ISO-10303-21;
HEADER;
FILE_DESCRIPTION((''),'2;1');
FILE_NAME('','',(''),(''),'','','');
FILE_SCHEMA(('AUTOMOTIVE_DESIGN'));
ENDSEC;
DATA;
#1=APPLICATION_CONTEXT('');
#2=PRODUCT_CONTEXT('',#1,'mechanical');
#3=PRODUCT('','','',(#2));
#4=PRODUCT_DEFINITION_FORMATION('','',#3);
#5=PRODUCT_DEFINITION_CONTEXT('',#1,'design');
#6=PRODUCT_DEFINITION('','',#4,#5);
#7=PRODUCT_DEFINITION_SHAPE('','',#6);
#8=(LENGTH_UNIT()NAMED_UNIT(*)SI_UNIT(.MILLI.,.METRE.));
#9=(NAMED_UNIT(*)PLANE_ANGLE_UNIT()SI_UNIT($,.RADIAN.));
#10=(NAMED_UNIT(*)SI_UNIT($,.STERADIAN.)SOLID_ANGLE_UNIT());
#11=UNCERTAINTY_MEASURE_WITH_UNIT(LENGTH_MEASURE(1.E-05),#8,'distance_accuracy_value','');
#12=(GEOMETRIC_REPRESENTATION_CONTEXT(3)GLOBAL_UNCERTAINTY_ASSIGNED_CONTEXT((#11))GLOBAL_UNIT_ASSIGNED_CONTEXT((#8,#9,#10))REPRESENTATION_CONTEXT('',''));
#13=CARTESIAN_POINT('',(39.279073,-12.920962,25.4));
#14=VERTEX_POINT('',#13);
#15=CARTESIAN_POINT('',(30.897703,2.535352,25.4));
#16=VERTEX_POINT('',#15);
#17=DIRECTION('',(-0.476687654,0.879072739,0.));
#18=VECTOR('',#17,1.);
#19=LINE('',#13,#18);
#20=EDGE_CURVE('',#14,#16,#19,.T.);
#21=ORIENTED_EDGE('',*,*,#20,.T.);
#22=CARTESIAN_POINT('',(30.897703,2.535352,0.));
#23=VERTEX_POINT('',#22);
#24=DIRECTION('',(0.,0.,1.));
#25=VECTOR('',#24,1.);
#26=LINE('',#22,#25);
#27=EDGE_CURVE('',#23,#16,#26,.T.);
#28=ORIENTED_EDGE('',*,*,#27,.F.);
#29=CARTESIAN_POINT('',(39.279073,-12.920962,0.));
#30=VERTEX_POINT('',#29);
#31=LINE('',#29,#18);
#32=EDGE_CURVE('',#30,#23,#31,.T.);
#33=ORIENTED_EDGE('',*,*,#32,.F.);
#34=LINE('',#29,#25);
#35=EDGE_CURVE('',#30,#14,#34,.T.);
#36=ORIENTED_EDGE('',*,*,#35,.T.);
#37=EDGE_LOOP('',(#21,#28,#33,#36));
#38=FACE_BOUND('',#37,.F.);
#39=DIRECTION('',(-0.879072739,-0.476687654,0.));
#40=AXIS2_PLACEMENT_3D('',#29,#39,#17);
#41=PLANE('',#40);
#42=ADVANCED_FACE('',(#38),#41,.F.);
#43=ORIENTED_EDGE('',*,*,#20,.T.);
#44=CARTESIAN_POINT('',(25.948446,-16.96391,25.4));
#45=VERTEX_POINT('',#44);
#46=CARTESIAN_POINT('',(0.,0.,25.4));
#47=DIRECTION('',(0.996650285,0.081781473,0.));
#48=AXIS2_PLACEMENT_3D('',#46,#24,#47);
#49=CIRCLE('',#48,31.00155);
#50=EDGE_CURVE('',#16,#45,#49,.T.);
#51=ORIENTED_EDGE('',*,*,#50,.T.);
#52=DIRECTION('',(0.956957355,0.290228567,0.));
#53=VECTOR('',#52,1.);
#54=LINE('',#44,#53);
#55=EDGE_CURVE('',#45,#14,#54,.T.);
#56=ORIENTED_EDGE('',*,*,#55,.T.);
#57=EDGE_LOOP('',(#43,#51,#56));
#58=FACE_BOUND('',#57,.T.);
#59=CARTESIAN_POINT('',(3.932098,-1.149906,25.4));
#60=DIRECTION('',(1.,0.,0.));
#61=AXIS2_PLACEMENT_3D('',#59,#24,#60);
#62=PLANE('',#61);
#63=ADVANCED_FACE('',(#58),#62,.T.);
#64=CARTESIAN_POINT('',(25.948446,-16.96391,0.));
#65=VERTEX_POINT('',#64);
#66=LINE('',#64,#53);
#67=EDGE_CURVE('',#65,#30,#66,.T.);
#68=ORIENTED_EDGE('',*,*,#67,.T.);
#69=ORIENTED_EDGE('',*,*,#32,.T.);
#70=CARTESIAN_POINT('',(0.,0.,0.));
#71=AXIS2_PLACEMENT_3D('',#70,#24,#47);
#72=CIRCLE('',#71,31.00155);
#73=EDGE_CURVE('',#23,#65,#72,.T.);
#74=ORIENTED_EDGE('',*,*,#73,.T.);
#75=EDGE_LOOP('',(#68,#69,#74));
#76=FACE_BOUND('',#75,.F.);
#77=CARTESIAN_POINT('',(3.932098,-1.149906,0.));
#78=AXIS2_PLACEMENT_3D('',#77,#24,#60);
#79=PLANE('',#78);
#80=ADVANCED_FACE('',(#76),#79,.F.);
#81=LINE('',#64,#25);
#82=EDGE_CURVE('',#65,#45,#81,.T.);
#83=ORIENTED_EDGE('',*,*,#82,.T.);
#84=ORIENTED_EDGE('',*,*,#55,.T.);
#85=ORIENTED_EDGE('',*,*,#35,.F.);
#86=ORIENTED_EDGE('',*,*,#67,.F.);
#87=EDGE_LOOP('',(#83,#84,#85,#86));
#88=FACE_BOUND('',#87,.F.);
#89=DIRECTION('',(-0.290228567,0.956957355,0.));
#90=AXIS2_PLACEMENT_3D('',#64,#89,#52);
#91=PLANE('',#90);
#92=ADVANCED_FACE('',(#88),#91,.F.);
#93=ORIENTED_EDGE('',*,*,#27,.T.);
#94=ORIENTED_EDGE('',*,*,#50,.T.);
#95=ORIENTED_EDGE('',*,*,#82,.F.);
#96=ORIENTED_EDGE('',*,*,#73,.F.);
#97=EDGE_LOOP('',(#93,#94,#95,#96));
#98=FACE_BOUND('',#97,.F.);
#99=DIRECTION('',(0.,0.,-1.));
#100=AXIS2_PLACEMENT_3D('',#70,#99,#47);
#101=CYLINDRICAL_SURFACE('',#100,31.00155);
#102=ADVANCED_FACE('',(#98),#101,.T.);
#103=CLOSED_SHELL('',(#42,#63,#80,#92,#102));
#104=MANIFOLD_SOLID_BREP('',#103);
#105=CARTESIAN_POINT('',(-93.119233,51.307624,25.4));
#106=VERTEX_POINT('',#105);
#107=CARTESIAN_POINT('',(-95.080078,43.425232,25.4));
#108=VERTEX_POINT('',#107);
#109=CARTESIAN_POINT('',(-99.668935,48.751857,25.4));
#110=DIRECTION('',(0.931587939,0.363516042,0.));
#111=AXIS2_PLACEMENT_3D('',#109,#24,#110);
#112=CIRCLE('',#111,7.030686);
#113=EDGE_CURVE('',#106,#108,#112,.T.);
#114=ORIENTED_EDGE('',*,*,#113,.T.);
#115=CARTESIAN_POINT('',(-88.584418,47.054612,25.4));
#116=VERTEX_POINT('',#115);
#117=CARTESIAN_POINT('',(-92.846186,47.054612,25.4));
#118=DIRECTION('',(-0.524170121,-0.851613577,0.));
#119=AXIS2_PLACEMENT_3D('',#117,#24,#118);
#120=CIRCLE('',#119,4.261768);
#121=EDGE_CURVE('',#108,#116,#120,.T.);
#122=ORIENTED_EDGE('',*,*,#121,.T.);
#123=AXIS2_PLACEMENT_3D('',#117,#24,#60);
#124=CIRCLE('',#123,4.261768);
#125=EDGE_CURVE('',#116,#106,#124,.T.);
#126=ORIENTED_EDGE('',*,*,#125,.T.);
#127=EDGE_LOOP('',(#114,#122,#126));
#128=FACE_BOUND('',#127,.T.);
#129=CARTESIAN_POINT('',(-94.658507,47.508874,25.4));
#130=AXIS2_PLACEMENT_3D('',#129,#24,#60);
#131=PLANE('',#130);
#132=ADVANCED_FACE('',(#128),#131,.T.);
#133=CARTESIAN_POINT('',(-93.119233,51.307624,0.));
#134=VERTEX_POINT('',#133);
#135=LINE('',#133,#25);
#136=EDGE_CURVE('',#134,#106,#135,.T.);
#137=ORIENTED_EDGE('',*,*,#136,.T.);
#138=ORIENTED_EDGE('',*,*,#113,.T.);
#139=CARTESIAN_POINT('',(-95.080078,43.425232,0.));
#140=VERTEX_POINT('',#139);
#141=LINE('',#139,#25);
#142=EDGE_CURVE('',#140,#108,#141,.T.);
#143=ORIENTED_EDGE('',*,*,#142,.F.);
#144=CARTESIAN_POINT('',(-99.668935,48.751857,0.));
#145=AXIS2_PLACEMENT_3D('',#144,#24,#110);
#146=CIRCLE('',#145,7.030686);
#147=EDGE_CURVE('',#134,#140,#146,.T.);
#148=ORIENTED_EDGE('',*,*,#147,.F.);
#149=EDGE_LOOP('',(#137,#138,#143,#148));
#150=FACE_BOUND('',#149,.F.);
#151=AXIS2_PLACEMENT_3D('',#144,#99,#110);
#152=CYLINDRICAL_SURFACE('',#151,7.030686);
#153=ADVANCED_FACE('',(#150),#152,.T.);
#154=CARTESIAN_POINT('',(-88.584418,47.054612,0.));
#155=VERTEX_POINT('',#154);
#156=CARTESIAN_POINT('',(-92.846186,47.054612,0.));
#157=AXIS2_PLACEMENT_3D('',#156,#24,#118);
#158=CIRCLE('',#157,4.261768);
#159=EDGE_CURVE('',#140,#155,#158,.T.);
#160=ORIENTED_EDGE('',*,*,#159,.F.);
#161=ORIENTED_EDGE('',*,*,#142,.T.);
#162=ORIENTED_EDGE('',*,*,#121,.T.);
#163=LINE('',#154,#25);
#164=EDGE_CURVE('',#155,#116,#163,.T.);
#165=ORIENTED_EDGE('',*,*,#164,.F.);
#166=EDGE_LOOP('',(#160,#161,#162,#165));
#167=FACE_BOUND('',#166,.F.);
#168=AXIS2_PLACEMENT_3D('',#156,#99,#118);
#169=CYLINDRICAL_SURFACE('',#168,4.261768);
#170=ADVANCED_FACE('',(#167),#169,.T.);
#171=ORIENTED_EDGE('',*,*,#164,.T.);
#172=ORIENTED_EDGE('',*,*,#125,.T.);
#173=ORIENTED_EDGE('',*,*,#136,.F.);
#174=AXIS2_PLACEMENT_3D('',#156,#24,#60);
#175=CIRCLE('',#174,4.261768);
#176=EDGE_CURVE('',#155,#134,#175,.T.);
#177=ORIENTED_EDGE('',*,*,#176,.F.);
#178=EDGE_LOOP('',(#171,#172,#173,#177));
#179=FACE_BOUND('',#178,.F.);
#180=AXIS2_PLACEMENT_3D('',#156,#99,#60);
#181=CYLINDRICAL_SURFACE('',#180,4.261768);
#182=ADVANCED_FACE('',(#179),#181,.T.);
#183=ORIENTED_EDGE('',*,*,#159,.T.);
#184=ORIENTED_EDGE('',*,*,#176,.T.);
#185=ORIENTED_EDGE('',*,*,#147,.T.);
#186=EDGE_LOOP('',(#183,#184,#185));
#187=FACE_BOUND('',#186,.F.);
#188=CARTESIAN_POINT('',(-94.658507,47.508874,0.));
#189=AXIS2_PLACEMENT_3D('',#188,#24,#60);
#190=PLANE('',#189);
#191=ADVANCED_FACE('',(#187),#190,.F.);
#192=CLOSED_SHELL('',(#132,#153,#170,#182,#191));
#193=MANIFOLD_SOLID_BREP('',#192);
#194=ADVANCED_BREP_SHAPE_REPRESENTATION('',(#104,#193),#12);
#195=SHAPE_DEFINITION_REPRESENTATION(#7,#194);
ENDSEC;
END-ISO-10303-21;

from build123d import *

# Parameters (mm, degrees)
F1_DEPTH = 25.4
F3_DEPTH = 25.4


with BuildPart() as f1:
    # F0 (on Top) → F1 (new body)
    with BuildSketch(Plane.XY):
        with BuildLine():
            Line((39.2790734768, -12.9209617153), (30.8977032097, 2.5353523981))
            ThreePointArc((30.8977032097, 2.5353523981), (-30.0487349208, 7.6269000962), (25.9484457544, -16.963909878))
            Line((25.9484457544, -16.963909878), (39.2790734768, -12.9209617153))
        make_face()
    extrude(amount=F1_DEPTH)


with BuildPart() as f3:
    # F2 (on Top) → F3 (new body)
    with BuildSketch(Plane.XY):
        with BuildLine():
            ThreePointArc((-95.08007756, 43.4252323122), (-93.2777942426, 45.8220338258), (-92.6382490548, 48.7518571317))
            ThreePointArc((-92.6382490548, 48.7518571317), (-92.7595412395, 50.052173519), (-93.1192327695, 51.3076242367))
            ThreePointArc((-93.1192327695, 51.3076242367), (-96.9819097184, 48.083425587), (-95.08007756, 43.4252323122))
        make_face()
        with BuildLine():
            ThreePointArc((-93.1192327695, 51.3076242367), (-92.7595412395, 50.052173519), (-92.6382490548, 48.7518571317))
            ThreePointArc((-92.6382490548, 48.7518571317), (-93.2777942426, 45.8220338258), (-95.08007756, 43.4252323122))
            ThreePointArc((-95.08007756, 43.4252323122), (-90.767443597, 43.3341955882), (-88.5844178424, 47.0546119545))
            ThreePointArc((-88.5844178424, 47.0546119545), (-89.9307953042, 50.1631751232), (-93.1192327695, 51.3076242367))
        make_face()
        with BuildLine():
            ThreePointArc((-95.08007756, 43.4252323122), (-96.9819097184, 48.083425587), (-93.1192327695, 51.3076242367))
            ThreePointArc((-93.1192327695, 51.3076242367), (-106.4916838626, 50.449102309), (-95.08007756, 43.4252323122))
        make_face()
    extrude(amount=F3_DEPTH)


solid = Compound([f1.part, f3.part])
